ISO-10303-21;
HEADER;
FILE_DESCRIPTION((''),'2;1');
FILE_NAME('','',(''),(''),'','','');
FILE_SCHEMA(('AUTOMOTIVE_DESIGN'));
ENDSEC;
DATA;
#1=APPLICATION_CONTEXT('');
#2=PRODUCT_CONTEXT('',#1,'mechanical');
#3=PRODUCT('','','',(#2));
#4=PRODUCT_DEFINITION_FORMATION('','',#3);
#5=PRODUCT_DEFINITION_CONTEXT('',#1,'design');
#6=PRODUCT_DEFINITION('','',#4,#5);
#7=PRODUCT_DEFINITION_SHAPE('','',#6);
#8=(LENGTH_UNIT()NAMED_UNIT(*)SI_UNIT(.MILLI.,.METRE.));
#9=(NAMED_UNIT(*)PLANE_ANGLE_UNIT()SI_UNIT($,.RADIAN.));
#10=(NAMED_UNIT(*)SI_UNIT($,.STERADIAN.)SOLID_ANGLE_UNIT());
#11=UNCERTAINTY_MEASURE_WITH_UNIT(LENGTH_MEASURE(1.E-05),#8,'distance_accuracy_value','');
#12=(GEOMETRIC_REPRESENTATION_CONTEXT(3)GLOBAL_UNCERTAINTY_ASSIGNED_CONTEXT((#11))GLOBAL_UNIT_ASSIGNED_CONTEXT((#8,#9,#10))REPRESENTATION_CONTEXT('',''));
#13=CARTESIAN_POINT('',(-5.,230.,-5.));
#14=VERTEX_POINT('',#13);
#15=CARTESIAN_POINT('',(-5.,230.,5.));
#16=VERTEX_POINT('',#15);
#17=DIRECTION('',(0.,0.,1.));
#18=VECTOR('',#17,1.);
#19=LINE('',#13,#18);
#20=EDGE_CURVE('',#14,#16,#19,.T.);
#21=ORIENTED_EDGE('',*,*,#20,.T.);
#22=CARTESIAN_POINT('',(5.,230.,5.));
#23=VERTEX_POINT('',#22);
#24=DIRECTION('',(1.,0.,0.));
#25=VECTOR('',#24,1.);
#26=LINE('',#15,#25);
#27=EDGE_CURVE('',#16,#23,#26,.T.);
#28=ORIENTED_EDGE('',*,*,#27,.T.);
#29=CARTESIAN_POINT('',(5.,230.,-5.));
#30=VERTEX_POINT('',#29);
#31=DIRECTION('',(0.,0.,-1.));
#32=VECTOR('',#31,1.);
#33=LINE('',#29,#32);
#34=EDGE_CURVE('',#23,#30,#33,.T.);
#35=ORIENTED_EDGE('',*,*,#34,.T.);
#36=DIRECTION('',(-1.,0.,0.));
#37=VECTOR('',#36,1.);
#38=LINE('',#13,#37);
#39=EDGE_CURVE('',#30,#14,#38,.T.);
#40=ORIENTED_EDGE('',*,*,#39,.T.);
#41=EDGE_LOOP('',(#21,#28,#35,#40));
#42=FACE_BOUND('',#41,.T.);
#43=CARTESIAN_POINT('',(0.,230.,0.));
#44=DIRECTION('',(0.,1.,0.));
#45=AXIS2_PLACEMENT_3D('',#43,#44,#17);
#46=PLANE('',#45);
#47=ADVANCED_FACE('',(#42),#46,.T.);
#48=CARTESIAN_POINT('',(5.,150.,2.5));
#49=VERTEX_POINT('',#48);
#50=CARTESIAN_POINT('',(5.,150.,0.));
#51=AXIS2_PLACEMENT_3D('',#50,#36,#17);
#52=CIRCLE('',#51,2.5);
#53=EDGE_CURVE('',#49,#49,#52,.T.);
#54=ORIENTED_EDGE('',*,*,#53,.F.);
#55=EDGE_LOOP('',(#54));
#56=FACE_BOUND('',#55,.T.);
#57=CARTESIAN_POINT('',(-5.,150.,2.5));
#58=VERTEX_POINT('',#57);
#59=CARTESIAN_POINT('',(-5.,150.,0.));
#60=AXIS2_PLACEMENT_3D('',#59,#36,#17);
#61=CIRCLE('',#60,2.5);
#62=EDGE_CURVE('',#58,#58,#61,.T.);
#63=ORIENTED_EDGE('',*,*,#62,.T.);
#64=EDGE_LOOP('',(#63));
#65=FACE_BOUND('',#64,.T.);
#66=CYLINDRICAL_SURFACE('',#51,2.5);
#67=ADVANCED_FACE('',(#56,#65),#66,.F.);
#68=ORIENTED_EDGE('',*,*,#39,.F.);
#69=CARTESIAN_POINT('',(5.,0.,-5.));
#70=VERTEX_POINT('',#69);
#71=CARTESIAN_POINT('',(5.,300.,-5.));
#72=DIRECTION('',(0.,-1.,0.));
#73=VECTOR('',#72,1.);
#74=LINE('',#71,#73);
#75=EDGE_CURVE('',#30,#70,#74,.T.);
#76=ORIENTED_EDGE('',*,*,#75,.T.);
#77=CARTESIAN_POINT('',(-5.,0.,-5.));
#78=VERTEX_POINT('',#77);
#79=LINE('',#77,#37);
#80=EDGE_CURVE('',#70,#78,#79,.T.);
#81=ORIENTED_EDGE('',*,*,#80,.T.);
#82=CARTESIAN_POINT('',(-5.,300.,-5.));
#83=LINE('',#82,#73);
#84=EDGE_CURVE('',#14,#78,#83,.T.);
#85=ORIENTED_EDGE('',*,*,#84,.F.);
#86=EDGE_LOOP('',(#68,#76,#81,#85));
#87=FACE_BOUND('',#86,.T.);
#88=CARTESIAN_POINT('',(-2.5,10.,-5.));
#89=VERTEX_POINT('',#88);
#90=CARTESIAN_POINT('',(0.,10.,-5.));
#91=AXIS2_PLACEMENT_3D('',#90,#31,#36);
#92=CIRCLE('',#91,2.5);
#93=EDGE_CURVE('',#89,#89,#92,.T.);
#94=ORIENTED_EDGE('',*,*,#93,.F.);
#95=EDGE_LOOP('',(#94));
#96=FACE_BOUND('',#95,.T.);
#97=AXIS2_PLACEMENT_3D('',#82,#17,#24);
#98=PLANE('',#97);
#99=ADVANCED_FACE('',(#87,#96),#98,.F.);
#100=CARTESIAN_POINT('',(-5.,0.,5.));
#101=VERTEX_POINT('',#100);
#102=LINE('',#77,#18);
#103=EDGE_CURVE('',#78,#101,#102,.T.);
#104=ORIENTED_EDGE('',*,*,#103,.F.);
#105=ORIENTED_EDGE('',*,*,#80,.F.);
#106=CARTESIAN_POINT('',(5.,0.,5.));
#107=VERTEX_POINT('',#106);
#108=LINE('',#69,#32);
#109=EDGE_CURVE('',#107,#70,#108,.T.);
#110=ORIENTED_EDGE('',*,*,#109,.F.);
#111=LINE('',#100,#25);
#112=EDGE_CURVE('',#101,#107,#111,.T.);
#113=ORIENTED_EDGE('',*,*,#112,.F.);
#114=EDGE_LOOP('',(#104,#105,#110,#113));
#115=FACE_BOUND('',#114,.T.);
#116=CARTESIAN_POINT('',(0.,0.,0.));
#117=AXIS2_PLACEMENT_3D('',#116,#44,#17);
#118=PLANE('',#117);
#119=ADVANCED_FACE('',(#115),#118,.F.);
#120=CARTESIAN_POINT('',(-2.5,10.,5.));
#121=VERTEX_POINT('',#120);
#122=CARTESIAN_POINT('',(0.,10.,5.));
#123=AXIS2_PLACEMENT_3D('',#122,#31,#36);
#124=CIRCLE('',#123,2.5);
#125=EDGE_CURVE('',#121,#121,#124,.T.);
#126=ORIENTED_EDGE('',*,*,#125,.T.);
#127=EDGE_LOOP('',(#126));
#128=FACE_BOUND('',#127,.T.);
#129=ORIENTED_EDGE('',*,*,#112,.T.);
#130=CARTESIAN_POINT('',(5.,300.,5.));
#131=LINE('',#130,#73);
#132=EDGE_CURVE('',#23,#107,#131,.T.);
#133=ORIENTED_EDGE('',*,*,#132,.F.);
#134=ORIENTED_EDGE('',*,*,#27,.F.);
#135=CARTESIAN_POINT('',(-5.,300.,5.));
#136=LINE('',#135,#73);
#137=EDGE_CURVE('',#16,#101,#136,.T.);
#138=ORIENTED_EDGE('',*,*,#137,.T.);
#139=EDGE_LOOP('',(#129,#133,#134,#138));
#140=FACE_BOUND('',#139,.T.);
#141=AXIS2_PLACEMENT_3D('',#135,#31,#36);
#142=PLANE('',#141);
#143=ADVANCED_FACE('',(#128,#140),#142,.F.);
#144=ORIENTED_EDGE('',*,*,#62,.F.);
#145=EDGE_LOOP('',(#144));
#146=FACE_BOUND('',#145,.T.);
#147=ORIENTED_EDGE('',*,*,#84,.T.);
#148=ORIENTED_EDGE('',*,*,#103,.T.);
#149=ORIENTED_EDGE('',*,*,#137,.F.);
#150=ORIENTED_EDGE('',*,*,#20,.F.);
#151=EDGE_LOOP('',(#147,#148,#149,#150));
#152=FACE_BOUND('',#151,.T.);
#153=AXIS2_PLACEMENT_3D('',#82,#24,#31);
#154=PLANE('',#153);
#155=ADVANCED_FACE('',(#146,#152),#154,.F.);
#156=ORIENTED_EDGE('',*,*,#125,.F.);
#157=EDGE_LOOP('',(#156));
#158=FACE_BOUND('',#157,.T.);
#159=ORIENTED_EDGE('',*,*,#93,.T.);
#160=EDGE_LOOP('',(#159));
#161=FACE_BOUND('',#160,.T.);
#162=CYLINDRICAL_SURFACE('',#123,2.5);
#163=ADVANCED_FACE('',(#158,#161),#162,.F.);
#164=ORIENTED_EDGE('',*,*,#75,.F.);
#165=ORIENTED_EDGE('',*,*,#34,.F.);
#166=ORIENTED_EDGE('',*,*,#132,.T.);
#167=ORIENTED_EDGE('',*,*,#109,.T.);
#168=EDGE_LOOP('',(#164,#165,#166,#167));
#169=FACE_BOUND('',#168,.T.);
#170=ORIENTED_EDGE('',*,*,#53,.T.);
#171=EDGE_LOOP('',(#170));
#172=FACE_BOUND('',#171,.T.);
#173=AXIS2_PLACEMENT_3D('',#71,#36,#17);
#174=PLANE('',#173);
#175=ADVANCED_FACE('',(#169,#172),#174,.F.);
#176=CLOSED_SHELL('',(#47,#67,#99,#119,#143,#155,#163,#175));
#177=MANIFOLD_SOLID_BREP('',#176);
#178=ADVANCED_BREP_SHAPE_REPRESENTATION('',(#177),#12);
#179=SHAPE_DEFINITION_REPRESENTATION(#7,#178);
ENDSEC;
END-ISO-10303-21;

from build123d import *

# Parameters (mm, degrees)
SKETCH1_W           = 10
SKETCH1_H           = 10
BOSS_EXTRUDE1_DEPTH = 300
SKETCH3_R           = 2.5
CUT_EXTRUDE1_DEPTH  = 301.208261046
SKETCH4_W           = 10
SKETCH4_H           = 10
CUT_EXTRUDE2_DEPTH  = 70
SKETCH5_R           = 2.5
CUT_EXTRUDE3_DEPTH  = 231.271578793


with BuildPart() as part:
    # Sketch1 → Boss-Extrude1 (new body)
    with BuildSketch(Plane(origin=(0, 0, 0), x_dir=(1, 0, 0), z_dir=(0, 1, 0))):
        Rectangle(SKETCH1_W, SKETCH1_H)
    extrude(amount=BOSS_EXTRUDE1_DEPTH)

    # Sketch3 → Cut-Extrude1 (cut, through all)
    with BuildSketch(Plane.ZY.offset(5)):
        with Locations((0, 150)):
            Circle(SKETCH3_R)
    extrude(amount=-CUT_EXTRUDE1_DEPTH, mode=Mode.SUBTRACT)

    # Sketch4 → Cut-Extrude2 (cut)
    with BuildSketch(Plane(origin=(0, 300, 0), x_dir=(1, 0, 0), z_dir=(0, 1, 0))):
        Rectangle(SKETCH4_W, SKETCH4_H)
    extrude(amount=-CUT_EXTRUDE2_DEPTH, mode=Mode.SUBTRACT)

    # Sketch5 → Cut-Extrude3 (cut, through all)
    with BuildSketch(Plane(origin=(0, 0, -5), x_dir=(-1, 0, 0), z_dir=(0, 0, -1))):
        with Locations((0, 10)):
            Circle(SKETCH5_R)
    extrude(amount=-CUT_EXTRUDE3_DEPTH, mode=Mode.SUBTRACT)


solid = part.part
